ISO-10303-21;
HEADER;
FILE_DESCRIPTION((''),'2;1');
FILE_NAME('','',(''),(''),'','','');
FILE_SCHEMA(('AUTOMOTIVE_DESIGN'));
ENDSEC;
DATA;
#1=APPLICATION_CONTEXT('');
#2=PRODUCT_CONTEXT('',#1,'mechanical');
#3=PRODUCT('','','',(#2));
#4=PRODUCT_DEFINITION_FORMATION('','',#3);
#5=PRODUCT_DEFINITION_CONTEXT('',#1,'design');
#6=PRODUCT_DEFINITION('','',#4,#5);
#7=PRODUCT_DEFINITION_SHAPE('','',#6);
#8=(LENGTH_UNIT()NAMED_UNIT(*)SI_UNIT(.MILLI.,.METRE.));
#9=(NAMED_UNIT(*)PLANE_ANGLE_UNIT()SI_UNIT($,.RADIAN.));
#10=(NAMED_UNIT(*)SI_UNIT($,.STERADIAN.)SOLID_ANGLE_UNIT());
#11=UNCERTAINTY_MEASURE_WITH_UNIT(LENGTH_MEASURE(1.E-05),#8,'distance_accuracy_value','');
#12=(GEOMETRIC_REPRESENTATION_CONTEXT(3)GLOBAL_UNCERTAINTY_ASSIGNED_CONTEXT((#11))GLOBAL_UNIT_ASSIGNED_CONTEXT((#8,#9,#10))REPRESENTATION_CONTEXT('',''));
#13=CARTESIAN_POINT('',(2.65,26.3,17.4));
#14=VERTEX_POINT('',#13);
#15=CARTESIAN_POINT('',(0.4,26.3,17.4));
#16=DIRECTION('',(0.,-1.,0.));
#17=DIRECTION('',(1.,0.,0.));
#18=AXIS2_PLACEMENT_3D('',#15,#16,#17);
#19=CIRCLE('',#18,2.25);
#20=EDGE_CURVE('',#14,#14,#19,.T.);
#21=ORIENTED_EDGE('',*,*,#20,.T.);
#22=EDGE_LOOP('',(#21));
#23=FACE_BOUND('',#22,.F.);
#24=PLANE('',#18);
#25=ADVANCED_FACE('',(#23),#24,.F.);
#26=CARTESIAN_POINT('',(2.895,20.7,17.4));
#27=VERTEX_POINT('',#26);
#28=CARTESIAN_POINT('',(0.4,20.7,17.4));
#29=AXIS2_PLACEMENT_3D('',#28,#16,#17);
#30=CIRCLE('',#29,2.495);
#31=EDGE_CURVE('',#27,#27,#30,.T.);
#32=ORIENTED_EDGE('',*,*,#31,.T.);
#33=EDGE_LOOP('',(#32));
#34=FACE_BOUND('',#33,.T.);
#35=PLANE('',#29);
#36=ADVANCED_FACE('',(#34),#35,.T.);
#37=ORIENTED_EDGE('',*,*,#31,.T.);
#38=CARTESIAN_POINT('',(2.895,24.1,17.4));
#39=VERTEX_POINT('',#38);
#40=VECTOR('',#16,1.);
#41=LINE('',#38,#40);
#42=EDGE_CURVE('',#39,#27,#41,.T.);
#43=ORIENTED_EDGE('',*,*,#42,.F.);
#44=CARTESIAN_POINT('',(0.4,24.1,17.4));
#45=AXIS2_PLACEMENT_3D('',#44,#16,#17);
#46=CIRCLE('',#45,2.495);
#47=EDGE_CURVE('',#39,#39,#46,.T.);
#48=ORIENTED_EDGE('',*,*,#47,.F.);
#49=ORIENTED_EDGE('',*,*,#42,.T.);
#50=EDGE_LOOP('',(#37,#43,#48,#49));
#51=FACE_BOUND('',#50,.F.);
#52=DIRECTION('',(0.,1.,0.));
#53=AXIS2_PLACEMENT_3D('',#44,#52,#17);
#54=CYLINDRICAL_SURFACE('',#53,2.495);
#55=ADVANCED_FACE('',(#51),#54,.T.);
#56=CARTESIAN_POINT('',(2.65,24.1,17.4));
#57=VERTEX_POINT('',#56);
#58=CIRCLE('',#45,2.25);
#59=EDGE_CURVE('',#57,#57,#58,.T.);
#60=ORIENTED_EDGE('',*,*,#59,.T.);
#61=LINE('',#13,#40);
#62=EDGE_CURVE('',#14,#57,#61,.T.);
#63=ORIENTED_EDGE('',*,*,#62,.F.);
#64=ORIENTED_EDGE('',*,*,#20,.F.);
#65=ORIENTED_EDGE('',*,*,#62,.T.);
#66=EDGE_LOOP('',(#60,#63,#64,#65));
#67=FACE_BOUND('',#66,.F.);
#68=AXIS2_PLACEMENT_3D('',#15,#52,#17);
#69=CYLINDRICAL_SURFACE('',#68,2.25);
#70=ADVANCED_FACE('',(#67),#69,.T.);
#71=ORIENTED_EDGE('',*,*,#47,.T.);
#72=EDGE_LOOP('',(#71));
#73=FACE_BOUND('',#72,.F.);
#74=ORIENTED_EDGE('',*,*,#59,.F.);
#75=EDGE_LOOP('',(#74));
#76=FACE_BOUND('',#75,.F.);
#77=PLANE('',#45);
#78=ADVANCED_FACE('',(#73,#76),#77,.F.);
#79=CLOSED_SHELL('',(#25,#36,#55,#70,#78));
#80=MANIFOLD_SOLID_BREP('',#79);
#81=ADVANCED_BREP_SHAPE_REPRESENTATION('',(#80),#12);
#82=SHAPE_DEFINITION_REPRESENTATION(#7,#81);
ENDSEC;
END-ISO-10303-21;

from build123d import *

# Parameters (mm, degrees)
SKETCH067_R             = 2.25
PAD046_DEPTH            = 2.2
SKETCH068_R             = 2.495
PAD047_DEPTH            = 3.4
POCKET019_DEPTH         = 4.4
POLARPATTERN_COUNT      = 80
BODY011_PLACEMENT_ANGLE = 90


with BuildPart() as part:
    # Sketch067 → Pad046 (new body)
    with BuildSketch(Plane.XY):
        Circle(SKETCH067_R)
    extrude(amount=PAD046_DEPTH)

    # Sketch068 (on Face3 of Pad046) → Pad047 (join)
    with BuildSketch(Plane.XY.offset(2.2)):
        Circle(SKETCH068_R)
    extrude(amount=PAD047_DEPTH)

    # Sketch069 (on Face3 of Pad047) → Pocket019 (cut)
    with BuildSketch(Plane.XY.offset(5.6)):
        Polygon((3.3, 0.172946), (3, 0), (3.3, -0.172946), align=None)
    pocket019 = extrude(amount=-POCKET019_DEPTH, mode=Mode.SUBTRACT)

    # PolarPattern: Pocket019 ×80 about axis
    polarpattern_axis = Axis((0, 0, 5.6), (0, 0, 1))
    for i in range(1, POLARPATTERN_COUNT):
        add(pocket019.rotate(polarpattern_axis, i * 360 / POLARPATTERN_COUNT), mode=Mode.SUBTRACT)


with BuildPart() as part_1:
    # Body011 placement: moved
    add(part.part.moved(Location((0.4, 26.3, 17.4))).rotate(Axis((0.4, 26.3, 17.4), (1, 0, 0)), BODY011_PLACEMENT_ANGLE))


solid = part_1.part
